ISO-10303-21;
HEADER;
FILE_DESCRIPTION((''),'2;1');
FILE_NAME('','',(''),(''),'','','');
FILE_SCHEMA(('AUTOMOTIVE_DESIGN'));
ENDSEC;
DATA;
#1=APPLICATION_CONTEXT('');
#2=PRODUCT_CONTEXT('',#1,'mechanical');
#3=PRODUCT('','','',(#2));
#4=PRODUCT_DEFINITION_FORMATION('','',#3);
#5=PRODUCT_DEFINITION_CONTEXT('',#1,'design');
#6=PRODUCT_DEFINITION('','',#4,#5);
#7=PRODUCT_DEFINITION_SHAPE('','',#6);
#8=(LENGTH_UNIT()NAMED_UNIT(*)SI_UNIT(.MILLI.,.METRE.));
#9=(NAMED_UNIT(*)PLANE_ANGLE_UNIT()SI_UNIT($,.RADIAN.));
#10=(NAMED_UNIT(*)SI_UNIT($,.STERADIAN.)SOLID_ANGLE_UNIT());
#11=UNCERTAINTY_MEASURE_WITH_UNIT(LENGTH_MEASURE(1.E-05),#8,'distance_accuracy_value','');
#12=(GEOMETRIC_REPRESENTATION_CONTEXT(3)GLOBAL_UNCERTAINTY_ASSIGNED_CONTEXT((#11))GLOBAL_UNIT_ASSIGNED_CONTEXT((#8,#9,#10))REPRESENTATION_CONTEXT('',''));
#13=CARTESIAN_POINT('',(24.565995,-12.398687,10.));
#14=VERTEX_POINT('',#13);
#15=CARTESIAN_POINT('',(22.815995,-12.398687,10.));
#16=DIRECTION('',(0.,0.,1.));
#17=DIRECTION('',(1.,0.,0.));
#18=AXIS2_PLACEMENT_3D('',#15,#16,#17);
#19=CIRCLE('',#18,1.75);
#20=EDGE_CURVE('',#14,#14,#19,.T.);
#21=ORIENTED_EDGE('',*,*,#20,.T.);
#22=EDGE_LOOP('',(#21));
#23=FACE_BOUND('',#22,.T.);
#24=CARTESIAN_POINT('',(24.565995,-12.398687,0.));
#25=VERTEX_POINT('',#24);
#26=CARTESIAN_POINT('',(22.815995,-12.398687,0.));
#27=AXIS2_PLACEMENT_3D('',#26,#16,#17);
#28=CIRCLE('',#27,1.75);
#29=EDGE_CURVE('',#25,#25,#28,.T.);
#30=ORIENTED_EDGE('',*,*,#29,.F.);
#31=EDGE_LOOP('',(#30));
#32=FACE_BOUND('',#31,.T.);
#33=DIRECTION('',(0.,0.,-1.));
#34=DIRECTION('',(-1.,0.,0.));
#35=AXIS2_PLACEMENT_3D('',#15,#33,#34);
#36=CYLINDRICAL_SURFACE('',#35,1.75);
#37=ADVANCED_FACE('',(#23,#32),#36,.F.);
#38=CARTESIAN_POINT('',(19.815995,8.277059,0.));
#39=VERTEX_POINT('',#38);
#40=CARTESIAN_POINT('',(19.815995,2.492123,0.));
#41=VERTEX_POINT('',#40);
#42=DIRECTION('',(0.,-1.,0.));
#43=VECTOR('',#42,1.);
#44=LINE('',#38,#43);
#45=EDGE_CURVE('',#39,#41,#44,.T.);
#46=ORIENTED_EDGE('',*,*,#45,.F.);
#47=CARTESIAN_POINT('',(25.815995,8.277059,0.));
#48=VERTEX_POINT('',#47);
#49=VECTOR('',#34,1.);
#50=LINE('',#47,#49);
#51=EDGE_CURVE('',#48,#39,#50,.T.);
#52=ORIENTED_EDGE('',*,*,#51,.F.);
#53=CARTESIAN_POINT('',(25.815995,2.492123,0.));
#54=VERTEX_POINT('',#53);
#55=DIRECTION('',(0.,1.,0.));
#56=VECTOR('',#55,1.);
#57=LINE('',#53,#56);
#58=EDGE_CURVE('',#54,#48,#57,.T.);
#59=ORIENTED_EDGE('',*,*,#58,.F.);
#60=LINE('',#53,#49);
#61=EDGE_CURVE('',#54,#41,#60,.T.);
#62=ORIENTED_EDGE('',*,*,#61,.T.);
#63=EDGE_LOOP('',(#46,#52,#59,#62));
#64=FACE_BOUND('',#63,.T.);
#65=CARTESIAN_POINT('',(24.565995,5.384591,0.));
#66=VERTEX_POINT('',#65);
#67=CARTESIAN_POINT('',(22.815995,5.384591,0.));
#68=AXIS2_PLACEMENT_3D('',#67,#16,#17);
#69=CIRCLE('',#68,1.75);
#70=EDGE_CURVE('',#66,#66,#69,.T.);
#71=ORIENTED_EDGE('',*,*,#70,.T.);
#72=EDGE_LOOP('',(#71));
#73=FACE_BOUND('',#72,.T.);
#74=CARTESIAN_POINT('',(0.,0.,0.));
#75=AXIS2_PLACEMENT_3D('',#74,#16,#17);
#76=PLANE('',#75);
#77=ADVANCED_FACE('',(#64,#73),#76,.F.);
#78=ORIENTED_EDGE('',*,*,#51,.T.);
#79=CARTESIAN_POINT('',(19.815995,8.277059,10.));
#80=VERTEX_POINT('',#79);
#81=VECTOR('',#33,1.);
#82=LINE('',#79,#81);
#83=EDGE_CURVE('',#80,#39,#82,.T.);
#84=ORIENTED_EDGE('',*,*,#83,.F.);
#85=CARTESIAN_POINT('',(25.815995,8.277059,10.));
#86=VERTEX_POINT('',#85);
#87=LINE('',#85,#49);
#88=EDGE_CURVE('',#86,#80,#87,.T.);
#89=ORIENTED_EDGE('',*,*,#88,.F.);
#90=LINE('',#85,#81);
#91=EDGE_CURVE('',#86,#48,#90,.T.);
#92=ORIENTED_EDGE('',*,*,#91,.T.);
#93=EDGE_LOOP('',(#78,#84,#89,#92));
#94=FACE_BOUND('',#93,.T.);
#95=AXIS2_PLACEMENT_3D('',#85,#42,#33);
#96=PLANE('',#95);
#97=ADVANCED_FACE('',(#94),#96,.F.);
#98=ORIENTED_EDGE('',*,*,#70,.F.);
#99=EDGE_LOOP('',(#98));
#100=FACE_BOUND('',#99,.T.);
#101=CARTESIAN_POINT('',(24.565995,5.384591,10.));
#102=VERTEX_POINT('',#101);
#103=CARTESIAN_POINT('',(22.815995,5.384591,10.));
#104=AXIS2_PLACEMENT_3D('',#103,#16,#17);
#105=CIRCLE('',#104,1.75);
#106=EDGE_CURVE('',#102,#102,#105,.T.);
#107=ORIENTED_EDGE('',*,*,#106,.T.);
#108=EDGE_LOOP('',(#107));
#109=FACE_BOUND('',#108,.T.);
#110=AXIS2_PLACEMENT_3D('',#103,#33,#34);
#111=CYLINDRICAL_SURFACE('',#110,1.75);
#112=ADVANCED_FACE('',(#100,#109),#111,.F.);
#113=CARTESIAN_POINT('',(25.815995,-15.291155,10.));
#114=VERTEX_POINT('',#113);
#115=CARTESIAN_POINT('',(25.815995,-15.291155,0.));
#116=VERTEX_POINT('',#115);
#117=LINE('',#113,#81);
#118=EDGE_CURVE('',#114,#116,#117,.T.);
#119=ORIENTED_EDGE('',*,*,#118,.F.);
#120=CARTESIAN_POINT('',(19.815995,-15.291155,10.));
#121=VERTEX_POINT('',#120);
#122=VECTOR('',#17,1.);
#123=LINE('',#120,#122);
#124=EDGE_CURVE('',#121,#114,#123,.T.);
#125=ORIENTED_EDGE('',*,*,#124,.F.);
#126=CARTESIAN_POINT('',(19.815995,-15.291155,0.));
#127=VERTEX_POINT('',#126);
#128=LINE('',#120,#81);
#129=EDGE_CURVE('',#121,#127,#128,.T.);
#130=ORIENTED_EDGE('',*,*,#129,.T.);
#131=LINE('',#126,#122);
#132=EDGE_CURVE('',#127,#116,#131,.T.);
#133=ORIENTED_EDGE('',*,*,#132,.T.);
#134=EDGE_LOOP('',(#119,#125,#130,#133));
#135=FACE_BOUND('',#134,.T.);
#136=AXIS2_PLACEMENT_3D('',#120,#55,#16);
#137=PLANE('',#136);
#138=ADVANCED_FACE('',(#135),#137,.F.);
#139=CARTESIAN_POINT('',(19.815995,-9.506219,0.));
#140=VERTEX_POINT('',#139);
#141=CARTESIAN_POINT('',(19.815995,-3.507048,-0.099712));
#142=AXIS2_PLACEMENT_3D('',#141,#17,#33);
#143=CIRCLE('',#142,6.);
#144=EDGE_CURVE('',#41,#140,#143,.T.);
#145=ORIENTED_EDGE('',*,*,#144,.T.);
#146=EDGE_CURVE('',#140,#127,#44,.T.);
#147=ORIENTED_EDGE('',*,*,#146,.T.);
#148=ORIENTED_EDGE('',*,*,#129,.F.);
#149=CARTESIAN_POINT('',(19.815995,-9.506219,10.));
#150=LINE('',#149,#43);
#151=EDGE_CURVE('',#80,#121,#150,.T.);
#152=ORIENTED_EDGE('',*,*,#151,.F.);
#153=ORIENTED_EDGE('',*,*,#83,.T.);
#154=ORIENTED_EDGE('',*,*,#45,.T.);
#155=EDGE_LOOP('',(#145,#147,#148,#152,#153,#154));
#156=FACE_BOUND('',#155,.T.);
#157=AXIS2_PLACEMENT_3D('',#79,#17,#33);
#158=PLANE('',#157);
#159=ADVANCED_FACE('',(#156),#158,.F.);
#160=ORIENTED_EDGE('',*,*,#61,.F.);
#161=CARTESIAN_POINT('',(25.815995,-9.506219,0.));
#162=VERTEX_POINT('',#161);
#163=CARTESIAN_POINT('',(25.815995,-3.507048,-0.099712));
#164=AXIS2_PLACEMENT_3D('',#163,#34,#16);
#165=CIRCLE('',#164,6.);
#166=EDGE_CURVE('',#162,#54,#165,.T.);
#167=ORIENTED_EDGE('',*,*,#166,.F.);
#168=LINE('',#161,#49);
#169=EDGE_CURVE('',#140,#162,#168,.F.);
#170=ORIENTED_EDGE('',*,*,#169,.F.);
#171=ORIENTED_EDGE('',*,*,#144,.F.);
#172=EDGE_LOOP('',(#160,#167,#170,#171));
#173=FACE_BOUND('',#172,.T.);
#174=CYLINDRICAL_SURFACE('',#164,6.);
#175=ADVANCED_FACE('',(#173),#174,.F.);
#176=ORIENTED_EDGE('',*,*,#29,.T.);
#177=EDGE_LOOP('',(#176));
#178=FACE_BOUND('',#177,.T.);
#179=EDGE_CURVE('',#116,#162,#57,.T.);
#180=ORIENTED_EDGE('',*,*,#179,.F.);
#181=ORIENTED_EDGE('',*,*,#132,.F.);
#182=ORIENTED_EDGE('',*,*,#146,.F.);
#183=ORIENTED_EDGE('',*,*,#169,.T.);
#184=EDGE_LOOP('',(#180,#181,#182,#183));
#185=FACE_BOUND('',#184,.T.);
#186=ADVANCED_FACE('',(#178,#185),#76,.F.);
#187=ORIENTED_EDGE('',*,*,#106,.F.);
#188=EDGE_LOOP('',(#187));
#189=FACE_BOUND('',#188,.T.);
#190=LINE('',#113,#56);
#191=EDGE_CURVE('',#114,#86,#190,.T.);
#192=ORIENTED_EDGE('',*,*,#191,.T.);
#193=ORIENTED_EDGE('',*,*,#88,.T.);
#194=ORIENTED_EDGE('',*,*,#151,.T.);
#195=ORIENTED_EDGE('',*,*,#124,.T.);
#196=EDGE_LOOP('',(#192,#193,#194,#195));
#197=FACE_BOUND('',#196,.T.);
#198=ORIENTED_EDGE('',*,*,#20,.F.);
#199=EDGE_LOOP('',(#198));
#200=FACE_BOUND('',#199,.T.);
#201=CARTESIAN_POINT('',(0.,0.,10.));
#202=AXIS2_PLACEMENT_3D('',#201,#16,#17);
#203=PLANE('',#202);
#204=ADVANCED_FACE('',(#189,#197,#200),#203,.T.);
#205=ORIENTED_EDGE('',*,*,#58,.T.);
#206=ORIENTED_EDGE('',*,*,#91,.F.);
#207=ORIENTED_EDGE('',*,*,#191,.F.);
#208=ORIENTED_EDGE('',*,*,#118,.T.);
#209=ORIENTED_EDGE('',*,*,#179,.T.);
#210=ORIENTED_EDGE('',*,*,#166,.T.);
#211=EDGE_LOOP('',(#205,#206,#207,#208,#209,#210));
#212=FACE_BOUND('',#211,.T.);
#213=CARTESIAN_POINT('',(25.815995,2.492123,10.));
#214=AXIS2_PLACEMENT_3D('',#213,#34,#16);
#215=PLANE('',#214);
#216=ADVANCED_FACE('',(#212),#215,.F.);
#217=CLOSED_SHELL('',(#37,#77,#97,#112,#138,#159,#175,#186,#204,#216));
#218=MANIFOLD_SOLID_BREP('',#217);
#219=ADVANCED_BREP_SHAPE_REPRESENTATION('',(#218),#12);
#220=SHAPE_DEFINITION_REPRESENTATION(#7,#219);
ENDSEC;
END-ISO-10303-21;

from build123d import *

# Parameters (mm, degrees)
SKICA1_R                 = 1.75
P_IDAT_VYSUNUT_M1_DEPTH  = 10
SKICA2_R                 = 6
ODEBRAT_VYSUNUT_M1_DEPTH = 6


with BuildPart() as part:
    # Skica1 → Přidat vysunutím1 (new body)
    with BuildSketch(Plane.XY):
        Polygon((25.815994553, 2.492123403), (25.815994553, 8.277058671), (19.815994553, 8.277058671), (19.815994553, 2.492123403), (19.815994553, -9.506219408), (19.815994553, -15.291154677), (25.815994553, -15.291154677), (25.815994553, -9.506219408), align=None)
        with Locations((22.815994553, -12.398687042)):
            Circle(SKICA1_R, mode=Mode.SUBTRACT)
        with Locations((22.815994553, 5.384591037)):
            Circle(SKICA1_R, mode=Mode.SUBTRACT)
    extrude(amount=P_IDAT_VYSUNUT_M1_DEPTH)

    # Skica2 → Odebrat vysunutím1 (cut)
    with BuildSketch(Plane.ZY.offset(-19.815994553)):
        with Locations((-0.099711825, -3.507048003)):
            Circle(SKICA2_R)
    extrude(amount=-ODEBRAT_VYSUNUT_M1_DEPTH, mode=Mode.SUBTRACT)


solid = part.part
